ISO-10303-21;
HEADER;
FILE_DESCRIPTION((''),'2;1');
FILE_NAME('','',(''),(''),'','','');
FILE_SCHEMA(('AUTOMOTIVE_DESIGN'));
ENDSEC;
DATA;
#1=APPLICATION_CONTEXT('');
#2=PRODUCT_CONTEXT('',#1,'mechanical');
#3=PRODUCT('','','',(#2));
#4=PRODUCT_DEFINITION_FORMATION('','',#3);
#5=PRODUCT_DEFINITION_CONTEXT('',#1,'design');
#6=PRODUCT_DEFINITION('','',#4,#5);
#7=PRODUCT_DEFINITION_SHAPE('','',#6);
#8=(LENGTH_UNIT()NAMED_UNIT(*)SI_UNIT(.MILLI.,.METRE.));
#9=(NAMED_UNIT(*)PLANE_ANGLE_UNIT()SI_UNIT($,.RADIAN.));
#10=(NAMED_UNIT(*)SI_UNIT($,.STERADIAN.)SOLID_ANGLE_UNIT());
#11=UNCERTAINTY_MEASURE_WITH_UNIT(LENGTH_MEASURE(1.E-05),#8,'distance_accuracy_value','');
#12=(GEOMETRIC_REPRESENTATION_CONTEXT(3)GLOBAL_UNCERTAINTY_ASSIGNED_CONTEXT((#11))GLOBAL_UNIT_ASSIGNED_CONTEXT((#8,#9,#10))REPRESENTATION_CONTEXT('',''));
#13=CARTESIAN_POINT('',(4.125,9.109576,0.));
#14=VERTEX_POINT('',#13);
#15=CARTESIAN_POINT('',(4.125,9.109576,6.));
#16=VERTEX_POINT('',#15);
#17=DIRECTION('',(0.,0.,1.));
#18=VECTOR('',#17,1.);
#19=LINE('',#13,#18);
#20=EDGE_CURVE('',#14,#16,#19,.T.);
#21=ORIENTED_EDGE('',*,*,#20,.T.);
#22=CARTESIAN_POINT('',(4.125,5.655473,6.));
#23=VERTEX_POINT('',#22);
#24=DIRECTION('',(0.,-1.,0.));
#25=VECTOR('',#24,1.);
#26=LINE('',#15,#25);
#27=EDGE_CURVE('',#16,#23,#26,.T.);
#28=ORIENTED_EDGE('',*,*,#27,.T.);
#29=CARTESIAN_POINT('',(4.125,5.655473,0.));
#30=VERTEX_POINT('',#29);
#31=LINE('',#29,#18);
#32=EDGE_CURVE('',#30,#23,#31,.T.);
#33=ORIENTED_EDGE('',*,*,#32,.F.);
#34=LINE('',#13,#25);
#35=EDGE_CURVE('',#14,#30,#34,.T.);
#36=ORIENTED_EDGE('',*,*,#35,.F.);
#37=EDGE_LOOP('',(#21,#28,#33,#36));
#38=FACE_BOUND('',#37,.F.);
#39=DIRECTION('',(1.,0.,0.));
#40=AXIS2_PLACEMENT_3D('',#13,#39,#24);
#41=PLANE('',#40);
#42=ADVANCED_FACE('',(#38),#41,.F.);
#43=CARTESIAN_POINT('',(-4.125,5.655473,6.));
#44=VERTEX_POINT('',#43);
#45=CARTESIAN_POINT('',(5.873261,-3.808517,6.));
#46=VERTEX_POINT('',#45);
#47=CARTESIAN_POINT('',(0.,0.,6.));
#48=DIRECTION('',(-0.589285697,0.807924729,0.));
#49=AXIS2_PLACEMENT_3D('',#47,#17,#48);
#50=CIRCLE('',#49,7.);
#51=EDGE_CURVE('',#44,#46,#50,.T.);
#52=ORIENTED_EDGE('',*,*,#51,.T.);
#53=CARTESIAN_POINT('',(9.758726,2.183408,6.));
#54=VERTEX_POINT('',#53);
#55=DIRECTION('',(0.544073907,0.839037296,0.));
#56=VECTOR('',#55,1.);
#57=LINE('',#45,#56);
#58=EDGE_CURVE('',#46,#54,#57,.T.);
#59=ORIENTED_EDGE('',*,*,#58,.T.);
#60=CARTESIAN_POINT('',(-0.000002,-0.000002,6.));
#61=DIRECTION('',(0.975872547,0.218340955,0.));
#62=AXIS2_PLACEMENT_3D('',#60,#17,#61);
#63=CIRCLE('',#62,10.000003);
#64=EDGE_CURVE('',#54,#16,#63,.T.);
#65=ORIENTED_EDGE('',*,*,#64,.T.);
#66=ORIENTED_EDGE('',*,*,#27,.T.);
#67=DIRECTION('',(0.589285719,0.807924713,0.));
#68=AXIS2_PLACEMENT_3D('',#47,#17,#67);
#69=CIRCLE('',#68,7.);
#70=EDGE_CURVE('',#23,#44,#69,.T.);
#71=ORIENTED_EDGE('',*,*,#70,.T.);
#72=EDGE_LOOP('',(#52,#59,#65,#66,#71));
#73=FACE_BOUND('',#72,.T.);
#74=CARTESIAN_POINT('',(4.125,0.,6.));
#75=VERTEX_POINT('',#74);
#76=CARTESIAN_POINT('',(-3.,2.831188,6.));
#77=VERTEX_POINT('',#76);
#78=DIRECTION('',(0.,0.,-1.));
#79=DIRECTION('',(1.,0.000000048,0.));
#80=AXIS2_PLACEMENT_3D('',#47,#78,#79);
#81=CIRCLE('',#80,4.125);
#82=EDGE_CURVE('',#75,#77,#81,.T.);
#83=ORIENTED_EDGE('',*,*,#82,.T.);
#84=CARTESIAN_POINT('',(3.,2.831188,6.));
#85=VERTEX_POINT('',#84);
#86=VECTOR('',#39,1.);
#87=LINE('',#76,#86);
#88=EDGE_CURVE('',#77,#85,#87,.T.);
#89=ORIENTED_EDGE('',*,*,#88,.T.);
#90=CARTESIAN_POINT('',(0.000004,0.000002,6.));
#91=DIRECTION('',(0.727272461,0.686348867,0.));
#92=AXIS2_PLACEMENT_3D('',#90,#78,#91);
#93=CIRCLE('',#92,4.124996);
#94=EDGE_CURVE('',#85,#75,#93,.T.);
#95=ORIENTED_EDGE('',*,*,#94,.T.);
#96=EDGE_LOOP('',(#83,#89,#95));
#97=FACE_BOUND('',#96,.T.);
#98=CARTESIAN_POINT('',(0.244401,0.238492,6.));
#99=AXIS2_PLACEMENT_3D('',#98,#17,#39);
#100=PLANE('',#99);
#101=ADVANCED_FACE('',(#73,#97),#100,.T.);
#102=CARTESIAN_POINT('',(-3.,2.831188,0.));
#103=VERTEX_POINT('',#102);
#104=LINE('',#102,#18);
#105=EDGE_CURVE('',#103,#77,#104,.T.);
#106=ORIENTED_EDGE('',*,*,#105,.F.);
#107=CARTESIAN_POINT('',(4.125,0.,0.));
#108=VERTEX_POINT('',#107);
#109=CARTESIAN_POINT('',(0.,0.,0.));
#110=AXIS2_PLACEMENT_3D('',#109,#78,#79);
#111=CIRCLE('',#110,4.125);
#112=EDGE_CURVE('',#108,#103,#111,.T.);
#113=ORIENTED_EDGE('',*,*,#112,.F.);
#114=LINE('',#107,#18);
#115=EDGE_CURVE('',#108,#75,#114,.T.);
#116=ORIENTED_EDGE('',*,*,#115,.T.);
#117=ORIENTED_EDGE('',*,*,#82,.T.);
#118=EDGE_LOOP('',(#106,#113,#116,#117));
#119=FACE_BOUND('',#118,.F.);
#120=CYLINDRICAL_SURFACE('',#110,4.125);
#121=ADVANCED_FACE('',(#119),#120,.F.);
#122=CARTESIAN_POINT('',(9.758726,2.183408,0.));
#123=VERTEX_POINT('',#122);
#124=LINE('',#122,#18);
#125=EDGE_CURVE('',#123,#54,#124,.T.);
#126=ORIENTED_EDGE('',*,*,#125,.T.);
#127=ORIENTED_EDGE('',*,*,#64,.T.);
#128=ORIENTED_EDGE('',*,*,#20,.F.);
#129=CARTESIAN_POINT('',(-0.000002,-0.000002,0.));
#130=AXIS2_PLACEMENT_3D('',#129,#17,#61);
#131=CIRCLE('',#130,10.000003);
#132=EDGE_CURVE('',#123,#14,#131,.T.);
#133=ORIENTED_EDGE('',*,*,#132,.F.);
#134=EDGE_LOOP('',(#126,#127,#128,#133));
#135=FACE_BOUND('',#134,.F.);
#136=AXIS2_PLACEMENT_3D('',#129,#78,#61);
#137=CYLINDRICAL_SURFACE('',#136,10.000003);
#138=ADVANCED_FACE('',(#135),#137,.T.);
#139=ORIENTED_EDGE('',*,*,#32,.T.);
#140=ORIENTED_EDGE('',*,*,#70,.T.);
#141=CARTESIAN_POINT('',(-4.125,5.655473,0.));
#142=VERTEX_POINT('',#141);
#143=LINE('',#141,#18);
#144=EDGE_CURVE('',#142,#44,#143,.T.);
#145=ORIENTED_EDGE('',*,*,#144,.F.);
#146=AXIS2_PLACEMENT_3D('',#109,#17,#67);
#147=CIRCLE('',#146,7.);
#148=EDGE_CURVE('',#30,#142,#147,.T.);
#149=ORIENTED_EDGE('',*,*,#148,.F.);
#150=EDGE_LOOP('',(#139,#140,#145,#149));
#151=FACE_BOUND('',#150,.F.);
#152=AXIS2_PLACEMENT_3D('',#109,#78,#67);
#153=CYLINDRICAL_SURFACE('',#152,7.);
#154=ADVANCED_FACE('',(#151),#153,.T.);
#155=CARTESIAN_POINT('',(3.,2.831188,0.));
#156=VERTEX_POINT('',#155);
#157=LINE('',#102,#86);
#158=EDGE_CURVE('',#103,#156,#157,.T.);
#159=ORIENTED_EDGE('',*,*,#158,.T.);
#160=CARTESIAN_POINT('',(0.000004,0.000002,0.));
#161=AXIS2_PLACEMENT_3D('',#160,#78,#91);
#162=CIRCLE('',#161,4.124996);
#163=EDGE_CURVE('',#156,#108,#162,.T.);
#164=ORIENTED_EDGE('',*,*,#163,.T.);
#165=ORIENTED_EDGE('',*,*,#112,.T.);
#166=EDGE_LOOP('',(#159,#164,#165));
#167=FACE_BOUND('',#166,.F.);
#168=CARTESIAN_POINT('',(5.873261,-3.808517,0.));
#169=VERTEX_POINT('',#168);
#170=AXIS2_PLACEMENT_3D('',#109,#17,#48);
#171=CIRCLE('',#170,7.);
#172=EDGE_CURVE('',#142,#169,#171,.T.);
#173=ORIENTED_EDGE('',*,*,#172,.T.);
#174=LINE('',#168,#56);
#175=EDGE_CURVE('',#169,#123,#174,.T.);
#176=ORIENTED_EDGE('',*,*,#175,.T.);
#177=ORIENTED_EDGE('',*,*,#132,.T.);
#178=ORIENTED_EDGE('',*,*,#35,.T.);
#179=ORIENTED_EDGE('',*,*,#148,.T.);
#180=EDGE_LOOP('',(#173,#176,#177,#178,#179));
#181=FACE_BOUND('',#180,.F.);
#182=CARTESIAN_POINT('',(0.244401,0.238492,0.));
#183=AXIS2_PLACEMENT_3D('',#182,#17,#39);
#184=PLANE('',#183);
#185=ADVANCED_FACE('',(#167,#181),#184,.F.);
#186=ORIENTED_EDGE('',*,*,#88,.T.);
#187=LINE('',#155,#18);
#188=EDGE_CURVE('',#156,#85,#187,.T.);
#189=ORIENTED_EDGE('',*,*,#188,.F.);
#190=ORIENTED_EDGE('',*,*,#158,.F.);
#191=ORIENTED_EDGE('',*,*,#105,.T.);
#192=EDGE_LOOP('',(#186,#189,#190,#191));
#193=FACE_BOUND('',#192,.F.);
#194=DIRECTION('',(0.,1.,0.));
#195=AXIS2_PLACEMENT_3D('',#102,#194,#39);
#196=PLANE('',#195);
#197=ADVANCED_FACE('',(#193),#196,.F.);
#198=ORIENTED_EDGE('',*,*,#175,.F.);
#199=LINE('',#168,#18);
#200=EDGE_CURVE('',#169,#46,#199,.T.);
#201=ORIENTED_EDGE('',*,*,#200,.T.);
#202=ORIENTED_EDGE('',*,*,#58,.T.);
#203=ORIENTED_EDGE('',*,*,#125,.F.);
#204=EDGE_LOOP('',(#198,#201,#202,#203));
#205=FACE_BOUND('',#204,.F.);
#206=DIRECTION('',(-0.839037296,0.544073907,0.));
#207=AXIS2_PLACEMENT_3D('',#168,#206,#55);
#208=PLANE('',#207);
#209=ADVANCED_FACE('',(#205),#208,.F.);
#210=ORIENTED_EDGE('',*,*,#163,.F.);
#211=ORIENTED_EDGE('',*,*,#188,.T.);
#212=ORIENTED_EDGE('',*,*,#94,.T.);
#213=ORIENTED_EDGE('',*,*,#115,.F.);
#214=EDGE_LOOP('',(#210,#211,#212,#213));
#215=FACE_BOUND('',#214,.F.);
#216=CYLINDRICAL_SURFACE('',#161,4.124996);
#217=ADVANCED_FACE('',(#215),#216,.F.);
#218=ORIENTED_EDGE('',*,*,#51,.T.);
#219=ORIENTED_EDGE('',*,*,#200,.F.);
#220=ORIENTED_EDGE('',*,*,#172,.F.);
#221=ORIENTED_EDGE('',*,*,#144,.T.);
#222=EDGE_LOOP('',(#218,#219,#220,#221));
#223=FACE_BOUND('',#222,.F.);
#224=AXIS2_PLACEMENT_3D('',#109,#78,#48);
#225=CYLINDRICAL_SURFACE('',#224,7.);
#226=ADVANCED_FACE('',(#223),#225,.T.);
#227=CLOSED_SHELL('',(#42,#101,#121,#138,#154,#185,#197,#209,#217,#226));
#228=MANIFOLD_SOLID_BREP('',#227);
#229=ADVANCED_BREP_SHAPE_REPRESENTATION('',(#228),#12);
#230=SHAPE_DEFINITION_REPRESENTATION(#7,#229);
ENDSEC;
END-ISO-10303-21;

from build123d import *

# Parameters (mm, degrees)
F1_DEPTH = 6


with BuildPart() as f1:
    # F0 (on Top) → F1 (new body)
    with BuildSketch(Plane.XY):
        with BuildLine():
            ThreePointArc((-4.125, 5.655473), (-4.812056, -5.083711), (5.873261, -3.808517))
            ThreePointArc((5.873261, -3.808517), (6.712408, -1.985846), (7, 0))
            ThreePointArc((7, 0), (6.239992, 3.172144), (4.125, 5.655473))
            ThreePointArc((4.125, 5.655473), (0, 7), (-4.125, 5.655473))
        make_face()
        with BuildLine():
            ThreePointArc((3, 2.831188), (3.833447, 1.523257), (4.125, 0))
            ThreePointArc((4.125, 0), (-1.523257, -3.833447), (-3, 2.831188))
            ThreePointArc((-3, 2.831188), (0, 4.125), (3, 2.831188))
        make_face(mode=Mode.SUBTRACT)
        with BuildLine():
            Line((-3, 2.831188), (3, 2.831188))
            ThreePointArc((3, 2.831188), (0, 4.125), (-3, 2.831188))
        make_face()
        with BuildLine():
            Line((5.873261, -3.808517), (9.758726, 2.183408))
            ThreePointArc((9.758726, 2.183408), (7.757732, 6.310118), (4.125, 9.109576))
            Line((4.125, 9.109576), (4.125, 5.655473))
            ThreePointArc((4.125, 5.655473), (6.239992, 3.172144), (7, 0))
            ThreePointArc((7, 0), (6.712408, -1.985846), (5.873261, -3.808517))
        make_face()
    extrude(amount=F1_DEPTH)


solid = f1.part
